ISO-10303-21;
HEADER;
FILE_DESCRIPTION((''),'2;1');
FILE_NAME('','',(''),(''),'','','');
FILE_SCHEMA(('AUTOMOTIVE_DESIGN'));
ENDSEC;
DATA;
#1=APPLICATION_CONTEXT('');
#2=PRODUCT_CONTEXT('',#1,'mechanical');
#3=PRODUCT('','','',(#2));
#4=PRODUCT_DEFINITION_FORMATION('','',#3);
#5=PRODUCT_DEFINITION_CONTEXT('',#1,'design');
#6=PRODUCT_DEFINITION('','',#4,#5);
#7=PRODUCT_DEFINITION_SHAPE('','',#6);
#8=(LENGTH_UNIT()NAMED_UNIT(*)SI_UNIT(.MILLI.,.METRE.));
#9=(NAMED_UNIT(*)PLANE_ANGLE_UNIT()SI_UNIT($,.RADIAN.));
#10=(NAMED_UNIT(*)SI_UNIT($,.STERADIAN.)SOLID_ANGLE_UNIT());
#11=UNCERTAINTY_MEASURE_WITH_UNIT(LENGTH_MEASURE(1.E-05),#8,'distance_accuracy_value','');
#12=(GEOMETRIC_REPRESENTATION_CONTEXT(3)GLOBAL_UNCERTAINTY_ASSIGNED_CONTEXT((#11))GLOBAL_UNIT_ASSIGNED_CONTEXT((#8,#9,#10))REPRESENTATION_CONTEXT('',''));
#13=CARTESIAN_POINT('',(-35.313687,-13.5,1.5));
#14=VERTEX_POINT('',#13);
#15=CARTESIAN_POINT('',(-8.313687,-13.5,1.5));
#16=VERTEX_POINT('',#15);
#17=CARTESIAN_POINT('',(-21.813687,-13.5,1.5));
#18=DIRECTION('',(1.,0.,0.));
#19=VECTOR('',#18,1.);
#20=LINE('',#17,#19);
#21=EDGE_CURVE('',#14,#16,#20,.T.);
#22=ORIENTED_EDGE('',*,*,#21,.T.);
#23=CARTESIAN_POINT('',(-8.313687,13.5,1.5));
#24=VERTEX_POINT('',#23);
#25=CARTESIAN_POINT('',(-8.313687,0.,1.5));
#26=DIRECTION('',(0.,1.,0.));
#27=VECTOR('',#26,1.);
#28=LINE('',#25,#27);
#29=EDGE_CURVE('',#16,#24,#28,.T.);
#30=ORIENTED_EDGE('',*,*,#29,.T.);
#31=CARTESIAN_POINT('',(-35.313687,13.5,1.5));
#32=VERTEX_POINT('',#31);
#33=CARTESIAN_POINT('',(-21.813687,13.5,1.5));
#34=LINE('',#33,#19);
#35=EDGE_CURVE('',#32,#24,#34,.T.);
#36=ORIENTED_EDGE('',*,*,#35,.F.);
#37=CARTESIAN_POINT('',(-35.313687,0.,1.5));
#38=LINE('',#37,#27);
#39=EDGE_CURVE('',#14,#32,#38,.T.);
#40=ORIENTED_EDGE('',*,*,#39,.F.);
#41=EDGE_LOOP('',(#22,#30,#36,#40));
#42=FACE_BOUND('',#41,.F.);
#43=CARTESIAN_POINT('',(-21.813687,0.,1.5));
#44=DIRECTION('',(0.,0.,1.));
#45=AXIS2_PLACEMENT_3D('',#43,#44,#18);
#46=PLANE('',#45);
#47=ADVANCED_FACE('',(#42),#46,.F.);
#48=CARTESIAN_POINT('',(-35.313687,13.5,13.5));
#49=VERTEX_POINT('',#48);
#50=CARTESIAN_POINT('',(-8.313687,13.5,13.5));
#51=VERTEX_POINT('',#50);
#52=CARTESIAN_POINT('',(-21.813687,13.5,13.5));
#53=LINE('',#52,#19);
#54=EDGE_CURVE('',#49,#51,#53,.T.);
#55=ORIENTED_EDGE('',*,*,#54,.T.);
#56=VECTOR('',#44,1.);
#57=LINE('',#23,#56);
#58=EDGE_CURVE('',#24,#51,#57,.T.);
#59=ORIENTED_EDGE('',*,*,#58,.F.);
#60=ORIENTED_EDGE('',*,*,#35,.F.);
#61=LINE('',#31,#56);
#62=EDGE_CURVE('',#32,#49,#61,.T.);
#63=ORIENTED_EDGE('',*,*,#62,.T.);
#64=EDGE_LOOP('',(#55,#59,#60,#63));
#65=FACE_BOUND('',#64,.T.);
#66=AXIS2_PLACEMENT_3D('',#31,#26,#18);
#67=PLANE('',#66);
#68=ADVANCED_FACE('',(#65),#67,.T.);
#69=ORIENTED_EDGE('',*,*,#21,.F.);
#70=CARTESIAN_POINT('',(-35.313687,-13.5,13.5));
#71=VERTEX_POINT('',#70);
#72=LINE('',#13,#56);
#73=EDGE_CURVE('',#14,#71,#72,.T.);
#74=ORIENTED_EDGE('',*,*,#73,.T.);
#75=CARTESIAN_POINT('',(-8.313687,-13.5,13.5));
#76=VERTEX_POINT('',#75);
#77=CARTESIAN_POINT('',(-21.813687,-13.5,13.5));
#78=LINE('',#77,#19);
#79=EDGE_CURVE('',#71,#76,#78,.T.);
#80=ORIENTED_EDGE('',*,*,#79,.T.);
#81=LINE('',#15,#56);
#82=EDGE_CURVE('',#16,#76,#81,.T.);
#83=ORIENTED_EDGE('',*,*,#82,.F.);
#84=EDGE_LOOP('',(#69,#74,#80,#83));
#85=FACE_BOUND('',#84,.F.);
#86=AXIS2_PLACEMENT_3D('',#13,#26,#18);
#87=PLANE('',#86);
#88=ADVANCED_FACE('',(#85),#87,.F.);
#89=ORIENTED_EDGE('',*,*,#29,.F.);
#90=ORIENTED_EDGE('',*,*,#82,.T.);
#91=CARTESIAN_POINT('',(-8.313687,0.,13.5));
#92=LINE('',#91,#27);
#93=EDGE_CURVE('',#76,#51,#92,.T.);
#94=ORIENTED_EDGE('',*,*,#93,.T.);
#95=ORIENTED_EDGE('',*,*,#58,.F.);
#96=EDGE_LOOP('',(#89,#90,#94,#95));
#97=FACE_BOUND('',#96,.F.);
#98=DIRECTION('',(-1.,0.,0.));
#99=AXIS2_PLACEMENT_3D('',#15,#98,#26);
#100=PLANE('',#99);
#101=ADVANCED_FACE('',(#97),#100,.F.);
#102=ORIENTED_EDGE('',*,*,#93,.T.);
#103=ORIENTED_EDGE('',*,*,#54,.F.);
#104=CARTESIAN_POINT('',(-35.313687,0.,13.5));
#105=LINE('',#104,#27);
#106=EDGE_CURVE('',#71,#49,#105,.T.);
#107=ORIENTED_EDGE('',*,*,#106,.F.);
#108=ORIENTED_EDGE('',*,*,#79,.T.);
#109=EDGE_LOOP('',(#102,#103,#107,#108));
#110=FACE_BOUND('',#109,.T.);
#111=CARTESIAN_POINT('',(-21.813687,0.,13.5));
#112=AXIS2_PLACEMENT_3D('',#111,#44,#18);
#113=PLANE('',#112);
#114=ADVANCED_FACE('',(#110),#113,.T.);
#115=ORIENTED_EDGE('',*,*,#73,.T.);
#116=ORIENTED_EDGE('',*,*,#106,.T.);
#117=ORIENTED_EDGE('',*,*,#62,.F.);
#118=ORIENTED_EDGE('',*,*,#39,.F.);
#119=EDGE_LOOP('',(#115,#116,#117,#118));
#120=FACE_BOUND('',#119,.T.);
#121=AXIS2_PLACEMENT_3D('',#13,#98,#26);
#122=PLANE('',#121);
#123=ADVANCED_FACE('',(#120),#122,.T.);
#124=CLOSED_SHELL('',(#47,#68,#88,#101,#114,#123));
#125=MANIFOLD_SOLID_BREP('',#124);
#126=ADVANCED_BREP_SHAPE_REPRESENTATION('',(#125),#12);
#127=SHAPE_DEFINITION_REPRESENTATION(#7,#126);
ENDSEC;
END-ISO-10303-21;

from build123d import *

# Parameters (mm, degrees)
F2_START = 1.5
F1_W     = 27
F1_H     = 27
F2_DEPTH = 12


with BuildPart() as f2:
    # F1 (on Top) → F2 (new body)
    with BuildSketch(Plane.XY.offset(F2_START)):
        with Locations((-21.8136865266, 0)):
            Rectangle(F1_W, F1_H)
    extrude(amount=F2_DEPTH)


solid = f2.part
